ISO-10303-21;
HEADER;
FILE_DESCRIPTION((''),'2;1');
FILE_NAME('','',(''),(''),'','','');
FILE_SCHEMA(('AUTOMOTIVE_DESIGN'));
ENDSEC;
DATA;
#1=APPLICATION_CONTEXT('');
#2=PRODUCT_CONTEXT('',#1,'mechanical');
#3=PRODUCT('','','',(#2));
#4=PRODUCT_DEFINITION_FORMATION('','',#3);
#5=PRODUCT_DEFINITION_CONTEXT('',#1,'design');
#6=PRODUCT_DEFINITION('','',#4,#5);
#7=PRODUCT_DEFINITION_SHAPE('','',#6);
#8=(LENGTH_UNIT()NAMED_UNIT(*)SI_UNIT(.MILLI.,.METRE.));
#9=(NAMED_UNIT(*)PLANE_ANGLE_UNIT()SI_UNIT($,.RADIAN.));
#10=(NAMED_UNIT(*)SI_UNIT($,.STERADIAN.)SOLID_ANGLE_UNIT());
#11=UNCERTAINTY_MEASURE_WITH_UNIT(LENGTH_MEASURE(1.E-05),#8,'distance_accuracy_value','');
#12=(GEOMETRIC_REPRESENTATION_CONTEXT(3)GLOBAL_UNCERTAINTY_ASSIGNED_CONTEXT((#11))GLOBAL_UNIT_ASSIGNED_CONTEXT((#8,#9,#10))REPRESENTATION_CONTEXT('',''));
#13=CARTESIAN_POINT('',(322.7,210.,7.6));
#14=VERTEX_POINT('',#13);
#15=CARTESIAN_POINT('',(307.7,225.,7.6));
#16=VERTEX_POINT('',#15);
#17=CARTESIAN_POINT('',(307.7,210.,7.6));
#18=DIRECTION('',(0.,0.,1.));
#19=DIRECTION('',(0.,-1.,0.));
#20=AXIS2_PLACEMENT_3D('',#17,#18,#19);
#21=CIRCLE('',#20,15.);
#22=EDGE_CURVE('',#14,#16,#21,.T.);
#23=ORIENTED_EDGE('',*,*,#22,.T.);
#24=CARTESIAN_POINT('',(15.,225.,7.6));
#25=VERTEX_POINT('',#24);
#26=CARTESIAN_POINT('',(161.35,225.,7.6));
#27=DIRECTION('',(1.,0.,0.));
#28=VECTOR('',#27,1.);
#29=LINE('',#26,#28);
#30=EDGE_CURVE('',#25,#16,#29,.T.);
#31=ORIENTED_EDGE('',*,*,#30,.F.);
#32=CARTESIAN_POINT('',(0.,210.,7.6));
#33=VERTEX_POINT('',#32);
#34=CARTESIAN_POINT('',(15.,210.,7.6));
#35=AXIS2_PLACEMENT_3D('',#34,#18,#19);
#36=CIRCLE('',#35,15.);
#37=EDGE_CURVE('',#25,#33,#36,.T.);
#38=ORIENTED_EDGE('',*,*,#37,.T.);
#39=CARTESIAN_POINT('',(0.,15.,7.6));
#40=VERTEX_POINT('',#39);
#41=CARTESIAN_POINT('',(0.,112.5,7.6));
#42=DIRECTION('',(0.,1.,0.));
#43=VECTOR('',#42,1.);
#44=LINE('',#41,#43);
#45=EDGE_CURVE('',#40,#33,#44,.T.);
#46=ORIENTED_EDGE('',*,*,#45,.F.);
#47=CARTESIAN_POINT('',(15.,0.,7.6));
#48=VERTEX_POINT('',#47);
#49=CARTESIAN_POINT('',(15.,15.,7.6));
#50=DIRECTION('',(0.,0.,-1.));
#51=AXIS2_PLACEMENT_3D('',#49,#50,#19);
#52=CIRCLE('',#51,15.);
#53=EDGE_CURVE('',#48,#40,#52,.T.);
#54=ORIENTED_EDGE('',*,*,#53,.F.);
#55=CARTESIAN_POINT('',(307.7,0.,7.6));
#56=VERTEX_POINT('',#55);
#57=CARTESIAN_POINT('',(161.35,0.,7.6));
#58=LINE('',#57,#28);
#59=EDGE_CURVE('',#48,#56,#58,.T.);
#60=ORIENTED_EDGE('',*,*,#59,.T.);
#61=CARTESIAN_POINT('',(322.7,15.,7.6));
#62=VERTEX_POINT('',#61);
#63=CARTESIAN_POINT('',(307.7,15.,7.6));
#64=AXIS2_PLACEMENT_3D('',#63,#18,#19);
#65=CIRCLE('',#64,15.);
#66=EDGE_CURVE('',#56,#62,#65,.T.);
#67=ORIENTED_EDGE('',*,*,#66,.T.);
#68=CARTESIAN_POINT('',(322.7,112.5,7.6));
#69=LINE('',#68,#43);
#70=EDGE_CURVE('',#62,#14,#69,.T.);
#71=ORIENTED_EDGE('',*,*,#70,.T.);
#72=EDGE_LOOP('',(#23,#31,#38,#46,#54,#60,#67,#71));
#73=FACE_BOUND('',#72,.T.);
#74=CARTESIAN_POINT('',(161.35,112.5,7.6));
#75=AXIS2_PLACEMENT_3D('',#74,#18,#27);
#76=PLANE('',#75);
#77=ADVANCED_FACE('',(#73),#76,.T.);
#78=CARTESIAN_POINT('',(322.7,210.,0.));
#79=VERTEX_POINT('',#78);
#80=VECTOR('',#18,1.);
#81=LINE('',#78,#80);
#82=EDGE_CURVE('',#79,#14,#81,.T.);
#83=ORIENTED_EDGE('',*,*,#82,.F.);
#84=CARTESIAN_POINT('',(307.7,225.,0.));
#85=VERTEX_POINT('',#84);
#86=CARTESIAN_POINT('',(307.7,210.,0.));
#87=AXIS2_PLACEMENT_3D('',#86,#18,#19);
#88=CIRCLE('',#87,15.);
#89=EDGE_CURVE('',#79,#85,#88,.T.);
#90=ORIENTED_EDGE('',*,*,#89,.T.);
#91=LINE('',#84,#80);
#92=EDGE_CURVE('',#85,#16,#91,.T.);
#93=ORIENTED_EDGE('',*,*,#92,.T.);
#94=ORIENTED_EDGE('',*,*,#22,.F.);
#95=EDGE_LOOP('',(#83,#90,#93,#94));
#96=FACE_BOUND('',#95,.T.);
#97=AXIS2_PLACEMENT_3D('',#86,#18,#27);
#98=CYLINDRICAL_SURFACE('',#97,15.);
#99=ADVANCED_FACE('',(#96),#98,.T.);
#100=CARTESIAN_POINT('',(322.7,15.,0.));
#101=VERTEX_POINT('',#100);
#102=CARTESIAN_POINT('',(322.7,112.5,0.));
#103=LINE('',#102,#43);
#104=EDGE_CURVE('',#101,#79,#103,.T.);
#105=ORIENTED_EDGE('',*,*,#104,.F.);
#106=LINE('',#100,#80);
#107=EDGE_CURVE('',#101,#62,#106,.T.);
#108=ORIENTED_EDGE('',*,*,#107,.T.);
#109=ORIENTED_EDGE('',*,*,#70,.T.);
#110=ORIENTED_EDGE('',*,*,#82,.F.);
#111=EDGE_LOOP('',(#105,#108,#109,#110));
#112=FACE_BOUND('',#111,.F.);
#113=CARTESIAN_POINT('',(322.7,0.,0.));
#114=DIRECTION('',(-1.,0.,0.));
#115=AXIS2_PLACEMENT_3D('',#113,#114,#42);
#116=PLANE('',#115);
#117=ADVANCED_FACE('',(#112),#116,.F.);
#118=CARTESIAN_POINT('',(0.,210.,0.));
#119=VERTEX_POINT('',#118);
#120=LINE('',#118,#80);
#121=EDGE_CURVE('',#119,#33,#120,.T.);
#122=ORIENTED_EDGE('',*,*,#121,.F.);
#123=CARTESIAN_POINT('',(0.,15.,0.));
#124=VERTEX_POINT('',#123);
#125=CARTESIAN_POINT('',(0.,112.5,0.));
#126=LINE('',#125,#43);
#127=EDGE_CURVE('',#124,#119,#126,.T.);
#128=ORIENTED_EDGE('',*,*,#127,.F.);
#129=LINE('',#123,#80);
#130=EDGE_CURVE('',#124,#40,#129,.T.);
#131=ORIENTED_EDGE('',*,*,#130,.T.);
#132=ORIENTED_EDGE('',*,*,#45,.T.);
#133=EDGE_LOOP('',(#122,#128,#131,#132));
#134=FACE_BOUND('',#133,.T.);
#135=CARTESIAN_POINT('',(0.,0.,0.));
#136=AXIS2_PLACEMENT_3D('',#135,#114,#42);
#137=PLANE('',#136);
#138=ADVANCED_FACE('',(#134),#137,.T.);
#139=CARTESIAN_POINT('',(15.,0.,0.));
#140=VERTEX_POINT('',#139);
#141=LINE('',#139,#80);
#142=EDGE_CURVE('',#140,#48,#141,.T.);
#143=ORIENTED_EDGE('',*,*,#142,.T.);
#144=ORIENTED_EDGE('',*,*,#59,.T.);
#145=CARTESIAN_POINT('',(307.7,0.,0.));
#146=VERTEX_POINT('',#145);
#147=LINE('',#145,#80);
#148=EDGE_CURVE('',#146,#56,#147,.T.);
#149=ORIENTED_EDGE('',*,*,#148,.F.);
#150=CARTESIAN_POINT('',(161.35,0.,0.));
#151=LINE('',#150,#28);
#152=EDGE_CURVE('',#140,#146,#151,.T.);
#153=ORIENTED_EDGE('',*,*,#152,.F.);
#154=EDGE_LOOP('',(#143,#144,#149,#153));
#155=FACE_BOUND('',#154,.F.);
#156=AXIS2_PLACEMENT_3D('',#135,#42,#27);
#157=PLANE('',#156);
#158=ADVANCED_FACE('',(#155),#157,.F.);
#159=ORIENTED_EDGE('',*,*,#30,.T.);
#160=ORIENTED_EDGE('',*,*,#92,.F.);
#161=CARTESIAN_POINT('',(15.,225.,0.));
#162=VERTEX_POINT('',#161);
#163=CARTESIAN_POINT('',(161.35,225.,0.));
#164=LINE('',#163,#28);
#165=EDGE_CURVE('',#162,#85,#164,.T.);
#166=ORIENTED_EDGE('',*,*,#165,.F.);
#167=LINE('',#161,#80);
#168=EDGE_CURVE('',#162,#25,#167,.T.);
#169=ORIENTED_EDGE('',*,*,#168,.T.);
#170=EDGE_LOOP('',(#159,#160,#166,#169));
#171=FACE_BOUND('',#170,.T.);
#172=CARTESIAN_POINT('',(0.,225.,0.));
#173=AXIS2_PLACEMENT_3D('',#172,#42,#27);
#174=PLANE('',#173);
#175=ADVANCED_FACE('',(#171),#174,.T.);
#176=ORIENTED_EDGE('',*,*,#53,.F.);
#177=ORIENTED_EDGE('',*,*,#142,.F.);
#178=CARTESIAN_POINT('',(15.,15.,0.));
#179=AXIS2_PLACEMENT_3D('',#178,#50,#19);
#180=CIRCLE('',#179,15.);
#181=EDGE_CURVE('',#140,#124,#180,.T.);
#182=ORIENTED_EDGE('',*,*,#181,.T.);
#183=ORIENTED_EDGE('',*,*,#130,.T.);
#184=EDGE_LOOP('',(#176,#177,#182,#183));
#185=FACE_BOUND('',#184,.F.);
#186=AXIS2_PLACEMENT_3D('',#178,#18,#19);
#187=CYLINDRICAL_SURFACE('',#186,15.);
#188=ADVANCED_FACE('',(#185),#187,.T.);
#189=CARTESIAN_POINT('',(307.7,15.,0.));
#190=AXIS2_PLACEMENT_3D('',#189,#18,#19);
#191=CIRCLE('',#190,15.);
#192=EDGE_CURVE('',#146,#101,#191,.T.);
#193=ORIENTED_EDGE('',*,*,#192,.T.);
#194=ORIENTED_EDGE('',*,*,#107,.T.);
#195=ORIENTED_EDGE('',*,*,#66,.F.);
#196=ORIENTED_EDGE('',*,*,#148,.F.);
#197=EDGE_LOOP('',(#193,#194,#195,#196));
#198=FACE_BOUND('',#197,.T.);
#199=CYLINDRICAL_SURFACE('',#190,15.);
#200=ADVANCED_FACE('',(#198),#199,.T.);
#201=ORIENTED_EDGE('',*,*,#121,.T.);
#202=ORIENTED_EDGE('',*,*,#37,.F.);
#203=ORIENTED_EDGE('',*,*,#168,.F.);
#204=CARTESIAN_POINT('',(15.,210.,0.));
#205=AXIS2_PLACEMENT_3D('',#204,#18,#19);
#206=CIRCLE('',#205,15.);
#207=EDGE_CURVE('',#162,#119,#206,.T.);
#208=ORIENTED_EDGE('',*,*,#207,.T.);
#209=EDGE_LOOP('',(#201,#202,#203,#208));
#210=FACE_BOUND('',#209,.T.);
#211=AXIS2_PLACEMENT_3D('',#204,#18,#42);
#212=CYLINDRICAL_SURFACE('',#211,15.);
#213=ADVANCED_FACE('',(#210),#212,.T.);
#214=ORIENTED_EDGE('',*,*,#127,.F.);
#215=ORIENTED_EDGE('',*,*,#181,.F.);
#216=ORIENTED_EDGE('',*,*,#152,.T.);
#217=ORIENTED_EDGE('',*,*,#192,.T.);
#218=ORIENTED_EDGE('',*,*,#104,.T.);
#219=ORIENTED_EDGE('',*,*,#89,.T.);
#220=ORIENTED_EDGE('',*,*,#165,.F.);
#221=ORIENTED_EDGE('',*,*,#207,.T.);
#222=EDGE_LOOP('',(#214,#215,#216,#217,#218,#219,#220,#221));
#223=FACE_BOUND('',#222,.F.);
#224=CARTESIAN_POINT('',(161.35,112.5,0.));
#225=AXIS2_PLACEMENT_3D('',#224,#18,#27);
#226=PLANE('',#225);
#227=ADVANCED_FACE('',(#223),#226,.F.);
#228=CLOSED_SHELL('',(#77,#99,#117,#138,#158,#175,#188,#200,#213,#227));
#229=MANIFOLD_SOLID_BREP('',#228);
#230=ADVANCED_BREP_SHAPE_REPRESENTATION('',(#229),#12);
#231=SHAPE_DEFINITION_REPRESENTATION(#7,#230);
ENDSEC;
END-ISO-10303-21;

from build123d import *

# Parameters (mm, degrees)
RECTANGLE_W   = 322.7
RECTANGLE_H   = 225
EXTRUDE_DEPTH = 7.6
FILLET_R      = 15
FILLET001_R   = 15
FILLET002_R   = 15
FILLET003_R   = 15


with BuildPart() as part:
    # Rectangle → Extrude (new body)
    with BuildSketch(Plane.XY):
        with Locations((161.35, 112.5)):
            Rectangle(RECTANGLE_W, RECTANGLE_H)
    extrude(amount=EXTRUDE_DEPTH)

    # Fillet
    fillet_edges = [part.edges().sort_by_distance(p)[0] for p in [
        (322.7, 0, 3.8),
    ]]
    fillet(fillet_edges, radius=FILLET_R)

    # Fillet001
    fillet001_edges = [part.edges().sort_by_distance(p)[0] for p in [
        (0, 0, 3.8),
    ]]
    fillet(fillet001_edges, radius=FILLET001_R)

    # Fillet002
    fillet002_edges = [part.edges().sort_by_distance(p)[0] for p in [
        (322.7, 225, 3.8),
    ]]
    fillet(fillet002_edges, radius=FILLET002_R)

    # Fillet003
    fillet003_edges = [part.edges().sort_by_distance(p)[0] for p in [
        (0, 225, 3.8),
    ]]
    fillet(fillet003_edges, radius=FILLET003_R)


solid = part.part
